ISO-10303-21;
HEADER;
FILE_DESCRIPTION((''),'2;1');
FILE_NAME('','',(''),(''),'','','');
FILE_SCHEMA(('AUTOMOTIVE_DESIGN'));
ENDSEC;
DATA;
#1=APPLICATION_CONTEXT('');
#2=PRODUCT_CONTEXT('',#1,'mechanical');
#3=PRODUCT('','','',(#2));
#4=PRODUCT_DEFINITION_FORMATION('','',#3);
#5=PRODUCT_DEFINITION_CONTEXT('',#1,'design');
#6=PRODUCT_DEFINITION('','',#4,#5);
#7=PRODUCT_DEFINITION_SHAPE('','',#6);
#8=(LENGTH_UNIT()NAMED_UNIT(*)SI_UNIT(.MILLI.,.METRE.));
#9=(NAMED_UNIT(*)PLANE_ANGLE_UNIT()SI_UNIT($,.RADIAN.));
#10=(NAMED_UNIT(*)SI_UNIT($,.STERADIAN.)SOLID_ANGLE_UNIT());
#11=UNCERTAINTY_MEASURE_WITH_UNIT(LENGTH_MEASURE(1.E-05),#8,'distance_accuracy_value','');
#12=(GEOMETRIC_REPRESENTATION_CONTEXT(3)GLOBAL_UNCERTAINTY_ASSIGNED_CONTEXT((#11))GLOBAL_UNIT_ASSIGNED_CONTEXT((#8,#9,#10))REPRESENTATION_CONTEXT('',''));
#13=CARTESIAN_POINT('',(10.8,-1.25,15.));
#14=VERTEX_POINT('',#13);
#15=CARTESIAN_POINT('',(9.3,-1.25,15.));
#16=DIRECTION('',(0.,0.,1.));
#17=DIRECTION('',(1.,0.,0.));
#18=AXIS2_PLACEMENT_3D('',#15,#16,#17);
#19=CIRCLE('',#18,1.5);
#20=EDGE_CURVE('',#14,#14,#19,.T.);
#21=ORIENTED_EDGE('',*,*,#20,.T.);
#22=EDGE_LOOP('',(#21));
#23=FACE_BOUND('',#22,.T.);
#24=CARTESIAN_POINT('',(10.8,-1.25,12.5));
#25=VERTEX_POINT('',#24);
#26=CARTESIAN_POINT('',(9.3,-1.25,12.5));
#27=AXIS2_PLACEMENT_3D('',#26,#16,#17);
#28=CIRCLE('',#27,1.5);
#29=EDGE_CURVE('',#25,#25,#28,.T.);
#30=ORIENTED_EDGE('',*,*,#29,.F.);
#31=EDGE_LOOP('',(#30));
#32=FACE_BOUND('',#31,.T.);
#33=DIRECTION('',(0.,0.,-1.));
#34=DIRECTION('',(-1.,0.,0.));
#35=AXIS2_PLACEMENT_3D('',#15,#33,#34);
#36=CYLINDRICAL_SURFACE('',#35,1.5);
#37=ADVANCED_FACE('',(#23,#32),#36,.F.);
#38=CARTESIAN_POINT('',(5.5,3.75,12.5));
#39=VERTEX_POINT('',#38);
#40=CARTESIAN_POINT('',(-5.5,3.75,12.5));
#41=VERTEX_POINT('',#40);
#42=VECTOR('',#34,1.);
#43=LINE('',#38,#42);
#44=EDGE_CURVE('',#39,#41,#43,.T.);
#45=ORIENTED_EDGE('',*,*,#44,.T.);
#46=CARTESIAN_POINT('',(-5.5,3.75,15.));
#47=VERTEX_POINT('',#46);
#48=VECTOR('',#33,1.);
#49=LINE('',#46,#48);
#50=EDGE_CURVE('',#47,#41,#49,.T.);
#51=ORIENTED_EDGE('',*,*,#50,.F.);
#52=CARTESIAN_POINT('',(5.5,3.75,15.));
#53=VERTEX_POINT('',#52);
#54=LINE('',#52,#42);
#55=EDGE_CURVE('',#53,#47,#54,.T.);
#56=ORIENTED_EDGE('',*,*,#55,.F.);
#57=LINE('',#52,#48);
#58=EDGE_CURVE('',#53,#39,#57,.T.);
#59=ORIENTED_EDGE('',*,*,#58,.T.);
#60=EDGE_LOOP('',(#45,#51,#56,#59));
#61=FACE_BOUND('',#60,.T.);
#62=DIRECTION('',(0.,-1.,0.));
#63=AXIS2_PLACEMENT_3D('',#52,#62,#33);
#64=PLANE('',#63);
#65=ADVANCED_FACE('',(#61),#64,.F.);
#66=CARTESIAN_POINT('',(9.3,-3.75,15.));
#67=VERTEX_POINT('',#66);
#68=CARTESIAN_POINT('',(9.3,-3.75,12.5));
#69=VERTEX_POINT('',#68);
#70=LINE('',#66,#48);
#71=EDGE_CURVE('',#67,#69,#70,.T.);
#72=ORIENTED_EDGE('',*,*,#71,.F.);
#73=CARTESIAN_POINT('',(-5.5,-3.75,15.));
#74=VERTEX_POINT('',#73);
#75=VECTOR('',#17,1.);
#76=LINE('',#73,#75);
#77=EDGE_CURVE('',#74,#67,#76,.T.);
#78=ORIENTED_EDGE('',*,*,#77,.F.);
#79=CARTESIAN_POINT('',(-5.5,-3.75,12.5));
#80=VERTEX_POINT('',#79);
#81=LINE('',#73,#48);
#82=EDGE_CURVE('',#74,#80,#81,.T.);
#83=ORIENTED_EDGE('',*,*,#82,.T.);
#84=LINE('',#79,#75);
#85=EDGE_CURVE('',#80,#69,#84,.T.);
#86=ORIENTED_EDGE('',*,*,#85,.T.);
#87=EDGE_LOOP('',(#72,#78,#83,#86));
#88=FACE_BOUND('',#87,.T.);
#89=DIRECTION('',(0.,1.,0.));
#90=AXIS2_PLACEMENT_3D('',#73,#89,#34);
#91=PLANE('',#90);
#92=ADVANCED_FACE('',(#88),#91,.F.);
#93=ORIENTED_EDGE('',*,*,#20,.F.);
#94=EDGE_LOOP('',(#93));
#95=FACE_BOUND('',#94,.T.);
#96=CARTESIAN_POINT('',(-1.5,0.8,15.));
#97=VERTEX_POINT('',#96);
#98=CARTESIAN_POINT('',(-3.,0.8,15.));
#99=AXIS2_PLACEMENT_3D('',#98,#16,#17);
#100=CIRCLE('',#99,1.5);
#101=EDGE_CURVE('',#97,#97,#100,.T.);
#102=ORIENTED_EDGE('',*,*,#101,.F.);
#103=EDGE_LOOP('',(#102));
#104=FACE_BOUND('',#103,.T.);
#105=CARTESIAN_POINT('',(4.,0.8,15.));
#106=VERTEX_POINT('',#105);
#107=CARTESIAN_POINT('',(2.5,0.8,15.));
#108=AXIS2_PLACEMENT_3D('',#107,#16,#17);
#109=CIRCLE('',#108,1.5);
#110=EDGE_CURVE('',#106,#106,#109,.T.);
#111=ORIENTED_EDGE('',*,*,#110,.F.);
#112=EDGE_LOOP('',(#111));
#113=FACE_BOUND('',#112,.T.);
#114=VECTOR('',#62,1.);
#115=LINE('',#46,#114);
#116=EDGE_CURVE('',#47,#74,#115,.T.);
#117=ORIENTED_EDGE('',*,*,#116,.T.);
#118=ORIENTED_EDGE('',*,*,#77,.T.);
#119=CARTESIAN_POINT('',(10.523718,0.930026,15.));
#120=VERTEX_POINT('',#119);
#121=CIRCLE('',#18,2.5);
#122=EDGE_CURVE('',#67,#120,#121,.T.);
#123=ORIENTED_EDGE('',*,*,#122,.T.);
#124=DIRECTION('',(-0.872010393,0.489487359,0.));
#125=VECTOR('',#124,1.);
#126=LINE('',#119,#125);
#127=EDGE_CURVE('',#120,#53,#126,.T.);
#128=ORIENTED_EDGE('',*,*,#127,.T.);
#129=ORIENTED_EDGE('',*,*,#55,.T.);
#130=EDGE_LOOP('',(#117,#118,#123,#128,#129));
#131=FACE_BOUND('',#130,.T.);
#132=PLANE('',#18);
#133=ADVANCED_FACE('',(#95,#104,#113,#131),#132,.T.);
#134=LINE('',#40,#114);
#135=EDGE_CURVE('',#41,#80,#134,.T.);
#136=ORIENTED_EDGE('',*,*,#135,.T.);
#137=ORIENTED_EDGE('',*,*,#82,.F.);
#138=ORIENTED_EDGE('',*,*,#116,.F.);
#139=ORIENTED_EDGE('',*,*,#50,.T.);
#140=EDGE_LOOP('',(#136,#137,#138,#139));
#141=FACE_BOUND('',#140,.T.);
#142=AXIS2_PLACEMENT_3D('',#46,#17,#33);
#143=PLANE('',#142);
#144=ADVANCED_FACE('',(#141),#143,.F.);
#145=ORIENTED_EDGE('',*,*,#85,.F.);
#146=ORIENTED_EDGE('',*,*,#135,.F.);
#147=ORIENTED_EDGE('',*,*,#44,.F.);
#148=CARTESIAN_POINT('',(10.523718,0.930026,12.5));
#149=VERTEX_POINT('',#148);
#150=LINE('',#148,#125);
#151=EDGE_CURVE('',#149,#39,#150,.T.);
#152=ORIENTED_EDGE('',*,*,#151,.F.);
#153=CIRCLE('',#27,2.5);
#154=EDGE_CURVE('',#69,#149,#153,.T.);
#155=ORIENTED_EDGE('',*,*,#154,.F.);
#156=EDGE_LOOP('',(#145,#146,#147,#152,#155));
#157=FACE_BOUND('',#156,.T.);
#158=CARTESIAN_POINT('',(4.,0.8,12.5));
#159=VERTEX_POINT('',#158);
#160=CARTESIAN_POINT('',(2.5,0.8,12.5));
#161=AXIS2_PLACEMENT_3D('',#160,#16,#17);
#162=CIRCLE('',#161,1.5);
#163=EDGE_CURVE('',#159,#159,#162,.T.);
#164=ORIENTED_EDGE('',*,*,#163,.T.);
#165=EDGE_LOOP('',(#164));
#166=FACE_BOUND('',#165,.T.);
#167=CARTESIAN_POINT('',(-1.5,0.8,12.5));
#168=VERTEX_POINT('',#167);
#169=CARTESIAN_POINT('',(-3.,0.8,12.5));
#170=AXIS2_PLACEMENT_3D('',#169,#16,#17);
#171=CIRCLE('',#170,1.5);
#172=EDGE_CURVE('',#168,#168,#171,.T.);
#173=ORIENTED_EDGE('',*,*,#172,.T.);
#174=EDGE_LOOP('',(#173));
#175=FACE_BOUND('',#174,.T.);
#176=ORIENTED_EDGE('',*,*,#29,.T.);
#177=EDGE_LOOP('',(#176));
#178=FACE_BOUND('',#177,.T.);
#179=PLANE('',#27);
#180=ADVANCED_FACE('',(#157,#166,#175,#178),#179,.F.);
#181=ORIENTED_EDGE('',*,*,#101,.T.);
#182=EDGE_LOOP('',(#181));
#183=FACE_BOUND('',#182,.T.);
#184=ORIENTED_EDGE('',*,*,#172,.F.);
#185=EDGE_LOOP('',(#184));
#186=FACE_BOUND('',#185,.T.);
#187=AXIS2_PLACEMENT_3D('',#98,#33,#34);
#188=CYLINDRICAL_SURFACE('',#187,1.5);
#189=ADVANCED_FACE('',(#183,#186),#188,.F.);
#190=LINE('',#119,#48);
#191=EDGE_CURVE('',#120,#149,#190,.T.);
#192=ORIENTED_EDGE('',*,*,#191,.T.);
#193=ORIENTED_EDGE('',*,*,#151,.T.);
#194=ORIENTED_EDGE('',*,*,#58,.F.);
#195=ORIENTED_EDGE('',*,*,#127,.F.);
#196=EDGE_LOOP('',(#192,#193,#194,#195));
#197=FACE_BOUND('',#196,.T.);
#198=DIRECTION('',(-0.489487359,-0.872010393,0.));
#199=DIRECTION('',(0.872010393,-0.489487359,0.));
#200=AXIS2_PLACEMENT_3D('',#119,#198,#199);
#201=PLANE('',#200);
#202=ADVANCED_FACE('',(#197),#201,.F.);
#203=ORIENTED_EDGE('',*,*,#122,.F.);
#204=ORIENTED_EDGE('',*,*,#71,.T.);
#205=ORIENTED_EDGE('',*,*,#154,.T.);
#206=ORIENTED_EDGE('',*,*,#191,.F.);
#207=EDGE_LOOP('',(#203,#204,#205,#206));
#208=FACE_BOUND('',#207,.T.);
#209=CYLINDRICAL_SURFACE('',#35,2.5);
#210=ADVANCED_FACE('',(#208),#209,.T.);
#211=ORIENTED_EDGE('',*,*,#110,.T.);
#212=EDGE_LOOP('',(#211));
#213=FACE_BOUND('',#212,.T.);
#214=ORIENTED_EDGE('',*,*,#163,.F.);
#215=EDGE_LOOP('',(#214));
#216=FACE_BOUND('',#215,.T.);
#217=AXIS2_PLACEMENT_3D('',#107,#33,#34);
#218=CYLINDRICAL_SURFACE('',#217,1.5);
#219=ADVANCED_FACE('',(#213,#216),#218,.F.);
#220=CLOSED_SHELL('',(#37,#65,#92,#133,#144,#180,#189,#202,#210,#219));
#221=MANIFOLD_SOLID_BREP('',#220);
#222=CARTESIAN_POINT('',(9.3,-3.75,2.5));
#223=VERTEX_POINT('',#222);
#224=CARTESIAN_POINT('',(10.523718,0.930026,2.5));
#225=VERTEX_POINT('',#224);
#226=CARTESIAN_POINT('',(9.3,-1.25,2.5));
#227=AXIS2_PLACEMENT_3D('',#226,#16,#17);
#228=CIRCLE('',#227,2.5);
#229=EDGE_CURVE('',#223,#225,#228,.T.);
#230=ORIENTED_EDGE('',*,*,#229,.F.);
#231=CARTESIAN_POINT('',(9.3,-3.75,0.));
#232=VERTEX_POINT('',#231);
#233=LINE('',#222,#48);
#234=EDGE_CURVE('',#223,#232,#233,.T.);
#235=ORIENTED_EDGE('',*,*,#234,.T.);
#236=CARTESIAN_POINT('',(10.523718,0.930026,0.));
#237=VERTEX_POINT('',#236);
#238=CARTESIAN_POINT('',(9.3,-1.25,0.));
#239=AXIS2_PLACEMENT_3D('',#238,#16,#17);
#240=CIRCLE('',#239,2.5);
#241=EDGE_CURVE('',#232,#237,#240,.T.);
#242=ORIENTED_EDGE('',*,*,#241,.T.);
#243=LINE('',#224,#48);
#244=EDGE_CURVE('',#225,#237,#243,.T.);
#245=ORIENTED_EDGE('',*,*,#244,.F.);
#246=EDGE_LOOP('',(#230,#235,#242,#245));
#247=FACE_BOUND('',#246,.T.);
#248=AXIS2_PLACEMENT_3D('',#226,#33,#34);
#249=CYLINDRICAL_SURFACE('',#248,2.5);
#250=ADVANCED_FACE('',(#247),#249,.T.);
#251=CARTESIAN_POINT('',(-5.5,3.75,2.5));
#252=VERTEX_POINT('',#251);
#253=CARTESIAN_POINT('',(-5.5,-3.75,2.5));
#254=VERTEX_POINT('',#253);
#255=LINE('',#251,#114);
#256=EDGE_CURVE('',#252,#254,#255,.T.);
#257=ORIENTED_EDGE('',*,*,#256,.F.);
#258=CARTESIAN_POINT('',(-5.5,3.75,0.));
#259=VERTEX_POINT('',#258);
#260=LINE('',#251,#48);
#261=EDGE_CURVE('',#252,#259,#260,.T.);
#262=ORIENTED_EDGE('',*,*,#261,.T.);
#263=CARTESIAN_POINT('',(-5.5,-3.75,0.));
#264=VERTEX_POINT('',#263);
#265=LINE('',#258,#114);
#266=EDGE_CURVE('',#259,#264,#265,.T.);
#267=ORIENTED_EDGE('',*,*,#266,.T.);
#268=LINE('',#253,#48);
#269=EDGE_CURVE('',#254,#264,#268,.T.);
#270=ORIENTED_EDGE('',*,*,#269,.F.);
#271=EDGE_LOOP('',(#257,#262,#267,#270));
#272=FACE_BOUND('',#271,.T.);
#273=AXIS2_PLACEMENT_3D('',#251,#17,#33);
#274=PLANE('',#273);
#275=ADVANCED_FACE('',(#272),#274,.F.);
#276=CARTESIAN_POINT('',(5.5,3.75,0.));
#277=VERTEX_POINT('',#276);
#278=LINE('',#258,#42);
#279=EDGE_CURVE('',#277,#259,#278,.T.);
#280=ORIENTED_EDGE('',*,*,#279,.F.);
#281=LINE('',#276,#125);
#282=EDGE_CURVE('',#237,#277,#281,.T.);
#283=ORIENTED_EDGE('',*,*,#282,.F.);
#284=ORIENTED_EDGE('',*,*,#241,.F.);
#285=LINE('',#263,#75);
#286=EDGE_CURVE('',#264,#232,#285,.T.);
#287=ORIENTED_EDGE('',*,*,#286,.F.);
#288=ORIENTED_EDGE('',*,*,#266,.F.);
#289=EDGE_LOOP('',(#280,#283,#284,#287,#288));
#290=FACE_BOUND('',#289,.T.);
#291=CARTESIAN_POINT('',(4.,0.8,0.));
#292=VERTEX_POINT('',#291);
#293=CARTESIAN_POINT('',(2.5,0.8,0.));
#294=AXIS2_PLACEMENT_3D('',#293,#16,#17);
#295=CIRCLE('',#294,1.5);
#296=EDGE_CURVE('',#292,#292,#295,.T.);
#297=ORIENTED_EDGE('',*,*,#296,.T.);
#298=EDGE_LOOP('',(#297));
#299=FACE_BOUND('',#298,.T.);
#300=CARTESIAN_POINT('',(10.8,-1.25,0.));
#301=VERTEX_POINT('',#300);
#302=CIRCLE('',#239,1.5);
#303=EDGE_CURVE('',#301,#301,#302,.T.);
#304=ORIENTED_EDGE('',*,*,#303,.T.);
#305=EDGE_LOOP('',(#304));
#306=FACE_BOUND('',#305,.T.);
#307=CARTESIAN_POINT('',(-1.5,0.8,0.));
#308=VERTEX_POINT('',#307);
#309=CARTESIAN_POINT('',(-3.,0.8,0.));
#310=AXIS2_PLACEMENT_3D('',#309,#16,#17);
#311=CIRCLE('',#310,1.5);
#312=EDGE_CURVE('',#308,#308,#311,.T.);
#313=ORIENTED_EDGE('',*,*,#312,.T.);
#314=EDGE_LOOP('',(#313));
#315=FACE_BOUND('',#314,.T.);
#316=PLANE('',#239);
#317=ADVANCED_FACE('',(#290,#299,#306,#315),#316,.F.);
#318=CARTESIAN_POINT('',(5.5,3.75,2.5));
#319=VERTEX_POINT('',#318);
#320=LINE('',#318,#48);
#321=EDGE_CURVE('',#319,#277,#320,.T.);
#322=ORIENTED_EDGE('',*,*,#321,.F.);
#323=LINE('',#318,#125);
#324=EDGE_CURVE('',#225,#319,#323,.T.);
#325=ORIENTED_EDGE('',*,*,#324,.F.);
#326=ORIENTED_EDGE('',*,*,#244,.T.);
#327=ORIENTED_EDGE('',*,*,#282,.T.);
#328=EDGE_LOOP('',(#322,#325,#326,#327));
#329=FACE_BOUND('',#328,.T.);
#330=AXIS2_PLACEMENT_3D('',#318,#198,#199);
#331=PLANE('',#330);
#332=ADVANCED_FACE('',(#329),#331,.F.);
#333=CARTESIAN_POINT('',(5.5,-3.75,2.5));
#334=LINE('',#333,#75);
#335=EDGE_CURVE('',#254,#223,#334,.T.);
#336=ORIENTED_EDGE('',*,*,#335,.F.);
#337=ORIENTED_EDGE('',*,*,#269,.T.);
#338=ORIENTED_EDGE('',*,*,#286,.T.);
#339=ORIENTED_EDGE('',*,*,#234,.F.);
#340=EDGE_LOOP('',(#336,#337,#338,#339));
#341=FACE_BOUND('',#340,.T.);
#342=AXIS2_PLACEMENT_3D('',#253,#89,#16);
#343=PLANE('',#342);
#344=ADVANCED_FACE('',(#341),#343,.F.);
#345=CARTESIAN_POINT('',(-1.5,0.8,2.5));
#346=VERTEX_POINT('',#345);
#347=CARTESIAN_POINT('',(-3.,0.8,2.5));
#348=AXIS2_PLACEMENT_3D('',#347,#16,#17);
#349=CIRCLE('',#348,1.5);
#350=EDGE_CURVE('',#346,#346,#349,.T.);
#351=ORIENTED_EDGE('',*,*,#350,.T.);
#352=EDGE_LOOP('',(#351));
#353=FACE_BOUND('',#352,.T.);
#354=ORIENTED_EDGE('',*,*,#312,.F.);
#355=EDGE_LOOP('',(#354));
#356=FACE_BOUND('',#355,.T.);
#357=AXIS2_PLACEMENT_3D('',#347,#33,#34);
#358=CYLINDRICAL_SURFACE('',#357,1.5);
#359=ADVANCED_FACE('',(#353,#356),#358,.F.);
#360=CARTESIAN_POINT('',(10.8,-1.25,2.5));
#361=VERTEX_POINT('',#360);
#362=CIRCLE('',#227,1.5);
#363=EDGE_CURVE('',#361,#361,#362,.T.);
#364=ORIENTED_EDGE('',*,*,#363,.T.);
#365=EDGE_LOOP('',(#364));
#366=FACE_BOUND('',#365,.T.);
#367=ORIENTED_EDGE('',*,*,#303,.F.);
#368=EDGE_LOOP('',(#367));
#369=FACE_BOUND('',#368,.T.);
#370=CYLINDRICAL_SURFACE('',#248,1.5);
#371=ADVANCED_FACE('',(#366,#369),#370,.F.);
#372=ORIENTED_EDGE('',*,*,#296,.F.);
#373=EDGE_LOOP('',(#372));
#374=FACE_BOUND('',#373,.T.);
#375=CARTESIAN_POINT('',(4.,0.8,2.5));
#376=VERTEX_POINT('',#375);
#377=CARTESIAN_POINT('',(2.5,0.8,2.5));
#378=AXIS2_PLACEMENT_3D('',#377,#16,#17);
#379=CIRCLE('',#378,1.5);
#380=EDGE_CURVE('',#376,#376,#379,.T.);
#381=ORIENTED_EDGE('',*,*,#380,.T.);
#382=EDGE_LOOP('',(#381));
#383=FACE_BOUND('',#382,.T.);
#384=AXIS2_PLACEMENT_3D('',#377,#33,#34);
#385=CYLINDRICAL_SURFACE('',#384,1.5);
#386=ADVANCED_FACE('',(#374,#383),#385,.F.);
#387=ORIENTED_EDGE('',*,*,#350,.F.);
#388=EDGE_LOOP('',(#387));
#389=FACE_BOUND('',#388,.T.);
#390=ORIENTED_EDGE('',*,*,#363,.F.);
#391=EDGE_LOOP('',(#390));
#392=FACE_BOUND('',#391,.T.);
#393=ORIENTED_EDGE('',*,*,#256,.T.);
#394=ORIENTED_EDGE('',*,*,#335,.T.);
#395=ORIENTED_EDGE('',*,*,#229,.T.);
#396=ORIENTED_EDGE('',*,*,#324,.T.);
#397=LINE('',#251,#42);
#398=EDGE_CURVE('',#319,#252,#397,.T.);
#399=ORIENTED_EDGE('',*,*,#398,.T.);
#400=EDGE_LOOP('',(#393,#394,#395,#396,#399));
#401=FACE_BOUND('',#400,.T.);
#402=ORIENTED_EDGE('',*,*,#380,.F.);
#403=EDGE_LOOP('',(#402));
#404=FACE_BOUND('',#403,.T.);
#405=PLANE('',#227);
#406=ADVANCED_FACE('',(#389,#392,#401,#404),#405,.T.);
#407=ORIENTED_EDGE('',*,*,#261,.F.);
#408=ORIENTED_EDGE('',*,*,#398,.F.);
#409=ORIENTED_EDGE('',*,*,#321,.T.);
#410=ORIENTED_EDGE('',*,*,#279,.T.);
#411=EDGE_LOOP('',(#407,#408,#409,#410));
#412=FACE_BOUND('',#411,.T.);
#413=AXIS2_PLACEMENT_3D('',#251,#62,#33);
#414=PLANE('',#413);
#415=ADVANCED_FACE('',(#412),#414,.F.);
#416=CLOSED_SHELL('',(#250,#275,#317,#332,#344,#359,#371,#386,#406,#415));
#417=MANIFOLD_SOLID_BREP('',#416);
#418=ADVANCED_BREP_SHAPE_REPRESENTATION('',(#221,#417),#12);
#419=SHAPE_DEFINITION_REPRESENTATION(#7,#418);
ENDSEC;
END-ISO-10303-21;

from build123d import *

# Parameters (mm, degrees)
SKETCH_2_R      = 1.5
EXTRUDE_1_DEPTH = 2.5
EXTRUDE_START   = 10
SKETCH_3_R      = 1.5
EXTRUDE_2_DEPTH = 2.5


with BuildPart() as part:
    # 草图2 → 凸台-拉伸1 (new body)
    with BuildSketch(Plane.XY):
        with BuildLine():
            Line((5.5, 3.75), (10.523718398, 0.930025982))
            ThreePointArc((10.523718398, 0.930025982), (11.718684038, -1.882429856), (9.3, -3.75))
            Line((9.3, -3.75), (5.5, -3.75))
            Line((5.5, -3.75), (-5.5, -3.75))
            Line((-5.5, -3.75), (-5.5, 3.75))
            Line((-5.5, 3.75), (5.5, 3.75))
        make_face()
        with Locations((9.3, -1.25)):
            Circle(SKETCH_2_R, mode=Mode.SUBTRACT)
        with Locations((-3, 0.8)):
            Circle(SKETCH_2_R, mode=Mode.SUBTRACT)
        with Locations((2.5, 0.8)):
            Circle(SKETCH_2_R, mode=Mode.SUBTRACT)
    extrude(amount=EXTRUDE_1_DEPTH)


with BuildPart() as body_2:
    # 草图3 → 凸台-拉伸2 (new body)
    with BuildSketch(Plane.XY.offset(2.5).offset(EXTRUDE_START)):
        with BuildLine():
            Line((-5.5, -3.75), (9.3, -3.75))
            ThreePointArc((9.3, -3.75), (11.718684038, -1.882429856), (10.523718398, 0.930025982))
            Line((10.523718398, 0.930025982), (5.5, 3.75))
            Line((5.5, 3.75), (-5.5, 3.75))
            Line((-5.5, 3.75), (-5.5, -3.75))
        make_face()
        with Locations((9.3, -1.25)):
            Circle(SKETCH_3_R, mode=Mode.SUBTRACT)
        with Locations((2.5, 0.8)):
            Circle(SKETCH_3_R, mode=Mode.SUBTRACT)
        with Locations((-3, 0.8)):
            Circle(SKETCH_3_R, mode=Mode.SUBTRACT)
    extrude(amount=EXTRUDE_2_DEPTH)


solid = Compound([part.part, body_2.part])
